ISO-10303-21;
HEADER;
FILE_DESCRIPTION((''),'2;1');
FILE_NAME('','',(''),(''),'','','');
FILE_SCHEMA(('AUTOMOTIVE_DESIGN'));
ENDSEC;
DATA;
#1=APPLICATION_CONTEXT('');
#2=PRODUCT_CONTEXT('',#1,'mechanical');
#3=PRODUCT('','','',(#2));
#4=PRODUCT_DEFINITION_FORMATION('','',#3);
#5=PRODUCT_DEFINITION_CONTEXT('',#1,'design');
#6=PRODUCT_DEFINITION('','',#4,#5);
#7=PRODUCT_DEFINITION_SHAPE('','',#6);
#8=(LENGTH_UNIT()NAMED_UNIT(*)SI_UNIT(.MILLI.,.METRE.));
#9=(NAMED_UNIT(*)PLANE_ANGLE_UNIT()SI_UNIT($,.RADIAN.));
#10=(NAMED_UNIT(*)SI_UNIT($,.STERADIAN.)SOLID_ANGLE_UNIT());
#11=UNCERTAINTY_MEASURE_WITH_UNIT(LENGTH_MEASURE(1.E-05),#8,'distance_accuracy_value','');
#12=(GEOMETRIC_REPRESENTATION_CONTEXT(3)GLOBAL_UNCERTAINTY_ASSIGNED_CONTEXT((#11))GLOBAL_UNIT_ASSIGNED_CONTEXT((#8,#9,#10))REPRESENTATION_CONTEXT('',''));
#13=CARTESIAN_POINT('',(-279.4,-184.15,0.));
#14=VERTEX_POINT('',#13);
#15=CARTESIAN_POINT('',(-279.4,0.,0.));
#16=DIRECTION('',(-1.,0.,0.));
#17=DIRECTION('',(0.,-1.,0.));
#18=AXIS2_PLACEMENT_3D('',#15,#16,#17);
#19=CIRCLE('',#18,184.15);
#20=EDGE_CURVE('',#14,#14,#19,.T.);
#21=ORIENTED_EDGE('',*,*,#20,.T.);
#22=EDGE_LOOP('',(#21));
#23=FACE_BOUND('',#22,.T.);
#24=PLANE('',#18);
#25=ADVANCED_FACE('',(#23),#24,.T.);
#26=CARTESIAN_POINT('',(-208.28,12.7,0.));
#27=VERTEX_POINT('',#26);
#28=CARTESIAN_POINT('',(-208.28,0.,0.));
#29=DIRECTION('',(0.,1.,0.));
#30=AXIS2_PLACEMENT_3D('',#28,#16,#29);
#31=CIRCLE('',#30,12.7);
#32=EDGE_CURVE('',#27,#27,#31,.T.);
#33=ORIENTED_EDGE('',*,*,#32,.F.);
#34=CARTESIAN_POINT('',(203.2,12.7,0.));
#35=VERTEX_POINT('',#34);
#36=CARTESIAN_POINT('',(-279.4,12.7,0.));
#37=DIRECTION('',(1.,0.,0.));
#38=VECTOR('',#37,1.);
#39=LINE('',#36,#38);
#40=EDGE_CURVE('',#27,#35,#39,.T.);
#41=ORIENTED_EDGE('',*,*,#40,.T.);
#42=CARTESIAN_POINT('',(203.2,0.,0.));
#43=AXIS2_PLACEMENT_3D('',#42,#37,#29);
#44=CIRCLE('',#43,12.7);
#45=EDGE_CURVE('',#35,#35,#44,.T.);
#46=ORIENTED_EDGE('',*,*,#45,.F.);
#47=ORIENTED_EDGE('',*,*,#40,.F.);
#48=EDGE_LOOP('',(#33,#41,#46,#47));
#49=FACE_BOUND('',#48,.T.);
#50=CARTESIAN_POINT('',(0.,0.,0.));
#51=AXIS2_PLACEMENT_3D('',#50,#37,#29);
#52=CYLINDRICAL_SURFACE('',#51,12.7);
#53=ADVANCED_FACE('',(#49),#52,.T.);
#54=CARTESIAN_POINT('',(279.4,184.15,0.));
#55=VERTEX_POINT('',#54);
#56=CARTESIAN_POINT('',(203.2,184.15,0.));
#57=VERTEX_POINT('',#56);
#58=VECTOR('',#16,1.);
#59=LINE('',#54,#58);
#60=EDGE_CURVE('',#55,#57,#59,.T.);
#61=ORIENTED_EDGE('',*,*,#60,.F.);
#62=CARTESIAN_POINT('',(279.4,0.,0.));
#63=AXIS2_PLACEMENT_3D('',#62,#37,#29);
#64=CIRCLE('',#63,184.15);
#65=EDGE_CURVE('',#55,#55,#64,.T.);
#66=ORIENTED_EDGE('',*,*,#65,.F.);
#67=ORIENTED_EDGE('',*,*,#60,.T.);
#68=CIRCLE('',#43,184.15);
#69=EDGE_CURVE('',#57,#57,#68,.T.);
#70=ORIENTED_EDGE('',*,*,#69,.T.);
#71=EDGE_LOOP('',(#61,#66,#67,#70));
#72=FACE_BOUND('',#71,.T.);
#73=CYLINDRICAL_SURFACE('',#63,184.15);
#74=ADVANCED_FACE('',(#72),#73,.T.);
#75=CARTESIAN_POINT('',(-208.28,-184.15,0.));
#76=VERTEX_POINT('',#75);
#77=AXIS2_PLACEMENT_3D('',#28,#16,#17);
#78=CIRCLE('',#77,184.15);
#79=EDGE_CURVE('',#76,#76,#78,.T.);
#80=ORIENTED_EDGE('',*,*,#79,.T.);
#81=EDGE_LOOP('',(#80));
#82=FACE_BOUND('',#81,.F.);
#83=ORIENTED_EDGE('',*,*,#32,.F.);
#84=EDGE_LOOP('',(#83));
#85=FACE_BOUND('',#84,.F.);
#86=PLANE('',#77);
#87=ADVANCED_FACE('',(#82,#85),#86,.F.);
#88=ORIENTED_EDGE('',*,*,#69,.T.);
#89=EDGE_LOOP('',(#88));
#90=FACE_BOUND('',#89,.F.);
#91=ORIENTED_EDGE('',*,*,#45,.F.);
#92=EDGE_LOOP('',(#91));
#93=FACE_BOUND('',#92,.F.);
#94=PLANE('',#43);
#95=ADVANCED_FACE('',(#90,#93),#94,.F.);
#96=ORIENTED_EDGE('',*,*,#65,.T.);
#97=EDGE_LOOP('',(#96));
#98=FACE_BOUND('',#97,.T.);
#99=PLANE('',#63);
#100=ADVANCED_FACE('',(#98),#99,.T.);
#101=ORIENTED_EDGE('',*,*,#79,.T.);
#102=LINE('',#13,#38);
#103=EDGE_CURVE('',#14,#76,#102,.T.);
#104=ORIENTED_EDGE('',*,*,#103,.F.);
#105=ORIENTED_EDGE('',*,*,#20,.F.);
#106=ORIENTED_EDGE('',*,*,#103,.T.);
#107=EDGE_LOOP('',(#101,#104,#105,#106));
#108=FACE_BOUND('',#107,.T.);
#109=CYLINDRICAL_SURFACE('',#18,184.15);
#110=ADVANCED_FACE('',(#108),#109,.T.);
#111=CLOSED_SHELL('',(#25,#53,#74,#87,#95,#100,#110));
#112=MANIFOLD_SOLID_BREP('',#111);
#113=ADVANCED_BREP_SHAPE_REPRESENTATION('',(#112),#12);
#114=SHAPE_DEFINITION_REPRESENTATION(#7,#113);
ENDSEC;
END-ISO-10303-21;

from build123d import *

# Parameters (mm, degrees)
F0_R     = 12.7
F1_DEPTH = 279.4
F2_R     = 184.15
F2_R_2   = 12.7
F3_DEPTH = 76.2
F4_R     = 184.15
F4_R_2   = 12.7
F5_DEPTH = 71.12


with BuildPart() as f1:
    # F0 (on Right) → F1 (new body, symmetric)
    with BuildSketch(Plane.YZ):
        Circle(F0_R)
    extrude(amount=F1_DEPTH, both=True)

    # F2 (on face) → F3 (join)
    with BuildSketch(Plane.YZ.offset(279.4)):
        Circle(F2_R)
        Circle(F2_R_2, mode=Mode.SUBTRACT)
    extrude(amount=-F3_DEPTH)

    # F4 (on face) → F5 (join)
    with BuildSketch(Plane(origin=(-279.4, 0, 0), x_dir=(0, -1, 0), z_dir=(-1, 0, 0))):
        Circle(F4_R)
        Circle(F4_R_2, mode=Mode.SUBTRACT)
    extrude(amount=-F5_DEPTH)


solid = f1.part
